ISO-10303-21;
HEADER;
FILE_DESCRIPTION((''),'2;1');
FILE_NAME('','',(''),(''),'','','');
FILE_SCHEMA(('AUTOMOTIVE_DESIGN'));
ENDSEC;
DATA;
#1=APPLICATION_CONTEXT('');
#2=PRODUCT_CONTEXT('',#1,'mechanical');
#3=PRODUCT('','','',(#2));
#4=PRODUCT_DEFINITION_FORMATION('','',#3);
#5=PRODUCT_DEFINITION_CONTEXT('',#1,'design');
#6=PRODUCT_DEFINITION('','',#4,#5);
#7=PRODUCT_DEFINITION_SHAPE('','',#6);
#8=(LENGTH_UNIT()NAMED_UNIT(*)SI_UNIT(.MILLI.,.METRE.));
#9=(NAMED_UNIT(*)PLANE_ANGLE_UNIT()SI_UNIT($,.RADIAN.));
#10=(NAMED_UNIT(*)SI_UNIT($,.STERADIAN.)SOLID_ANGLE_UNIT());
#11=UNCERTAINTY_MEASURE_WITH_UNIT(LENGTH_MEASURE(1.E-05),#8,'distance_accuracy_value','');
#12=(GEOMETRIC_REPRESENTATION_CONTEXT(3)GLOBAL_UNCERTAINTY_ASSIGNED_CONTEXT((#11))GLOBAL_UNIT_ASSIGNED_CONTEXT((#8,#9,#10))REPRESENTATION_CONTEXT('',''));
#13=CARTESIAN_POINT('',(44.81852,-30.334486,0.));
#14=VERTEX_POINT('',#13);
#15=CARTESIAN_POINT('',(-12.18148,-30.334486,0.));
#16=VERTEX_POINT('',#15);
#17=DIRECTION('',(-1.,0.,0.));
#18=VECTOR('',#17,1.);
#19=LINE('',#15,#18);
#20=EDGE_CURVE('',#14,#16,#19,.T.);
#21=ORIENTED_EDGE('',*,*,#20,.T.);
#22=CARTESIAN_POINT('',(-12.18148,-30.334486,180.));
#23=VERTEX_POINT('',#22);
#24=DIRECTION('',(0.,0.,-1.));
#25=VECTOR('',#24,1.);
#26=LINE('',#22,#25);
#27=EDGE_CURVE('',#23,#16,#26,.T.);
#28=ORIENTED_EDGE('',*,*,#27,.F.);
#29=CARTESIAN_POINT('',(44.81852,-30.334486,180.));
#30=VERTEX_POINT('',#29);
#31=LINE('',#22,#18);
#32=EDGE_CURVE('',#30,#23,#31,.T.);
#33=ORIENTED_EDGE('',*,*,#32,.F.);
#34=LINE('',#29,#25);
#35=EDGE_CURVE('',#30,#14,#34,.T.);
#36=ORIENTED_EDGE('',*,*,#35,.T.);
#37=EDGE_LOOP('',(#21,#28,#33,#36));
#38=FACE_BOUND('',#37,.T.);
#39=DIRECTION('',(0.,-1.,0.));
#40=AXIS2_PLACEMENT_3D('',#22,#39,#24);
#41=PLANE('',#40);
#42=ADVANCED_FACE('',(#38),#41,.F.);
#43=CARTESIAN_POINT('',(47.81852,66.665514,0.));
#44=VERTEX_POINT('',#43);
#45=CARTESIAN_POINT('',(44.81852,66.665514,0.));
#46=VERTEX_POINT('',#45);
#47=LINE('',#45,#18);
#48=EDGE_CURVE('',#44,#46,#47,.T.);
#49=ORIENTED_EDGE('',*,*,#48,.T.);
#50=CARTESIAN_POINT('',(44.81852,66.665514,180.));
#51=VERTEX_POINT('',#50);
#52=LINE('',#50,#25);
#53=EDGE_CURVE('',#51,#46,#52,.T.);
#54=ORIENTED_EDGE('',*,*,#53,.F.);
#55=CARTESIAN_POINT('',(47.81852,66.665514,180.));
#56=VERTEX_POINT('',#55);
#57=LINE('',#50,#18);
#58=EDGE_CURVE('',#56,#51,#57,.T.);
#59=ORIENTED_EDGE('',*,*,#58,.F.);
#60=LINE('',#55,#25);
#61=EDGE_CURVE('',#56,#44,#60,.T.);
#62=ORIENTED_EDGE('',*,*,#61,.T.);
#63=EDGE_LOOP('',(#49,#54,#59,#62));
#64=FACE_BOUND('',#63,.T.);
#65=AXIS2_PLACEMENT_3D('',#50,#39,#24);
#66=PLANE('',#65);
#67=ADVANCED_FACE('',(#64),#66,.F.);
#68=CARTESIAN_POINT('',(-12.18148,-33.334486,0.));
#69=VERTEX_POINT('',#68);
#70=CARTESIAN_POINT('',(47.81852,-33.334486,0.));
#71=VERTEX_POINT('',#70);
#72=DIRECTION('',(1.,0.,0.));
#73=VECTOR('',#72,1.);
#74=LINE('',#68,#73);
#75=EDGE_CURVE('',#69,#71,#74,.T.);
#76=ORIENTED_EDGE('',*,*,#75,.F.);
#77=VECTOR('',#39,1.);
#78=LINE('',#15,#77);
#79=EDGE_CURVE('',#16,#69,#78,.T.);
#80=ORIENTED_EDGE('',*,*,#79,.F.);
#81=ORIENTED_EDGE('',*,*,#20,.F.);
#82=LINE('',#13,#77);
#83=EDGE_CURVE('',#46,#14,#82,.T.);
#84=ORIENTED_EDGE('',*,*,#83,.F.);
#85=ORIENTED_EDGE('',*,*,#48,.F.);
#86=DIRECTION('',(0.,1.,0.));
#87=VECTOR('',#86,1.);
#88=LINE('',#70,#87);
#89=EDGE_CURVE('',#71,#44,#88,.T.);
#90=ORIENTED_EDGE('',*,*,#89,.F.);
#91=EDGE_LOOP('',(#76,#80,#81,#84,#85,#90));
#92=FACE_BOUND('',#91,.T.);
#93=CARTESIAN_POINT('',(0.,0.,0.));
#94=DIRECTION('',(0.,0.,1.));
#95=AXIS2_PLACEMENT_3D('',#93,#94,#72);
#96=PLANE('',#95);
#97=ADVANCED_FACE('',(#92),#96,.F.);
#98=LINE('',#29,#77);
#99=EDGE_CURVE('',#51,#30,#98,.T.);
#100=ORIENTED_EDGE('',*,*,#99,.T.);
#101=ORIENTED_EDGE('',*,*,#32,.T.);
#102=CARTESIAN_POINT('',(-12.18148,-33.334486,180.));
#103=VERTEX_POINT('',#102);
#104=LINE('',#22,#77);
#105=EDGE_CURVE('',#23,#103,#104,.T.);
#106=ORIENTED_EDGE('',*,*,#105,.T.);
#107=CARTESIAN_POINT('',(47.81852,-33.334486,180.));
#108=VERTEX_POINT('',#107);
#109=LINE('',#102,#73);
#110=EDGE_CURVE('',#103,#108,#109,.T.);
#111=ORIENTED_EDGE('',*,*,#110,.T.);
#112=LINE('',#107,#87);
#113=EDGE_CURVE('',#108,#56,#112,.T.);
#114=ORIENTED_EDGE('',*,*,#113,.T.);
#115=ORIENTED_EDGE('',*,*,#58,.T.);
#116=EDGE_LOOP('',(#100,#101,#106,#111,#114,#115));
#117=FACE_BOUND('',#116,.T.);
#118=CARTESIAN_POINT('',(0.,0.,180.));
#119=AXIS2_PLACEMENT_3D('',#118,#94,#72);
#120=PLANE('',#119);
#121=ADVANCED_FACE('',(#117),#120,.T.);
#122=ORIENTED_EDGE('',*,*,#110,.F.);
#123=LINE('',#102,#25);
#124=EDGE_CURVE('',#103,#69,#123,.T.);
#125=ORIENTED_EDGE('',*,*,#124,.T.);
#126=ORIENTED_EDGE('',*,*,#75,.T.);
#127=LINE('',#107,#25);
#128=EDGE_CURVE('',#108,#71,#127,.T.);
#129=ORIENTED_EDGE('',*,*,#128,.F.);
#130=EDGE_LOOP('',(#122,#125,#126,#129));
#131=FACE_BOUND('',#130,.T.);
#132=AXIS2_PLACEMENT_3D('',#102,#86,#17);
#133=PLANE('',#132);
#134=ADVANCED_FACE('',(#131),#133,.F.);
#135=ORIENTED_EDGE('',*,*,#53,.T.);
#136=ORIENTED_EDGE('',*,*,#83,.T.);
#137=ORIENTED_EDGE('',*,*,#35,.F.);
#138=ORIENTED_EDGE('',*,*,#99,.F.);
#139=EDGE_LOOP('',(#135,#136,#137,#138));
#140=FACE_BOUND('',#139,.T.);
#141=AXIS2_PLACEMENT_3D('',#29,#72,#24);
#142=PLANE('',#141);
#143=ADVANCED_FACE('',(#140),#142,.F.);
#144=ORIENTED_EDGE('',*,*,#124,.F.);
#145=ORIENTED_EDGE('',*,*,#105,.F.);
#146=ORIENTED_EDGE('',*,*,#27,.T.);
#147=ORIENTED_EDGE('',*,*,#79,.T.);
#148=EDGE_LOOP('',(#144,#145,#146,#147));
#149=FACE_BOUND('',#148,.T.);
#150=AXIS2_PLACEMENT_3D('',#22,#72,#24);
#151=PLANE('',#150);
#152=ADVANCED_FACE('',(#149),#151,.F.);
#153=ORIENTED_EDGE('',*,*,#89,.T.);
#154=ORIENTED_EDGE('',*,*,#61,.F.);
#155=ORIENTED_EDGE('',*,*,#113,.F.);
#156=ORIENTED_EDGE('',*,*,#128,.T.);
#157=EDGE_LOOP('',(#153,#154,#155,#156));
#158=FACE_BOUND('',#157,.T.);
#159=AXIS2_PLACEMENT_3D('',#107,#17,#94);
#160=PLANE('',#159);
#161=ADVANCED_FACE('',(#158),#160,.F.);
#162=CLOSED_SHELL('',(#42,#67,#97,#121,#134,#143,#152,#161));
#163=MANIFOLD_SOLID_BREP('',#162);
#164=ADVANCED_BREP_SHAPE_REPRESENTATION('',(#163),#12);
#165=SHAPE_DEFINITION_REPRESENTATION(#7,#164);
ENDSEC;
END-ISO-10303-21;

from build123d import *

# Parameters (mm, degrees)
BOSS_EXTRUDE1_DEPTH = 180


with BuildPart() as part:
    # Sketch1 → Boss-Extrude1 (new body)
    with BuildSketch(Plane.XY):
        Polygon((-12.181480378, -30.334485842), (44.818519622, -30.334485842), (44.818519622, 66.665514158), (47.818519622, 66.665514158), (47.818519622, -33.334485842), (-12.181480378, -33.334485842), align=None)
    extrude(amount=BOSS_EXTRUDE1_DEPTH)


solid = part.part
